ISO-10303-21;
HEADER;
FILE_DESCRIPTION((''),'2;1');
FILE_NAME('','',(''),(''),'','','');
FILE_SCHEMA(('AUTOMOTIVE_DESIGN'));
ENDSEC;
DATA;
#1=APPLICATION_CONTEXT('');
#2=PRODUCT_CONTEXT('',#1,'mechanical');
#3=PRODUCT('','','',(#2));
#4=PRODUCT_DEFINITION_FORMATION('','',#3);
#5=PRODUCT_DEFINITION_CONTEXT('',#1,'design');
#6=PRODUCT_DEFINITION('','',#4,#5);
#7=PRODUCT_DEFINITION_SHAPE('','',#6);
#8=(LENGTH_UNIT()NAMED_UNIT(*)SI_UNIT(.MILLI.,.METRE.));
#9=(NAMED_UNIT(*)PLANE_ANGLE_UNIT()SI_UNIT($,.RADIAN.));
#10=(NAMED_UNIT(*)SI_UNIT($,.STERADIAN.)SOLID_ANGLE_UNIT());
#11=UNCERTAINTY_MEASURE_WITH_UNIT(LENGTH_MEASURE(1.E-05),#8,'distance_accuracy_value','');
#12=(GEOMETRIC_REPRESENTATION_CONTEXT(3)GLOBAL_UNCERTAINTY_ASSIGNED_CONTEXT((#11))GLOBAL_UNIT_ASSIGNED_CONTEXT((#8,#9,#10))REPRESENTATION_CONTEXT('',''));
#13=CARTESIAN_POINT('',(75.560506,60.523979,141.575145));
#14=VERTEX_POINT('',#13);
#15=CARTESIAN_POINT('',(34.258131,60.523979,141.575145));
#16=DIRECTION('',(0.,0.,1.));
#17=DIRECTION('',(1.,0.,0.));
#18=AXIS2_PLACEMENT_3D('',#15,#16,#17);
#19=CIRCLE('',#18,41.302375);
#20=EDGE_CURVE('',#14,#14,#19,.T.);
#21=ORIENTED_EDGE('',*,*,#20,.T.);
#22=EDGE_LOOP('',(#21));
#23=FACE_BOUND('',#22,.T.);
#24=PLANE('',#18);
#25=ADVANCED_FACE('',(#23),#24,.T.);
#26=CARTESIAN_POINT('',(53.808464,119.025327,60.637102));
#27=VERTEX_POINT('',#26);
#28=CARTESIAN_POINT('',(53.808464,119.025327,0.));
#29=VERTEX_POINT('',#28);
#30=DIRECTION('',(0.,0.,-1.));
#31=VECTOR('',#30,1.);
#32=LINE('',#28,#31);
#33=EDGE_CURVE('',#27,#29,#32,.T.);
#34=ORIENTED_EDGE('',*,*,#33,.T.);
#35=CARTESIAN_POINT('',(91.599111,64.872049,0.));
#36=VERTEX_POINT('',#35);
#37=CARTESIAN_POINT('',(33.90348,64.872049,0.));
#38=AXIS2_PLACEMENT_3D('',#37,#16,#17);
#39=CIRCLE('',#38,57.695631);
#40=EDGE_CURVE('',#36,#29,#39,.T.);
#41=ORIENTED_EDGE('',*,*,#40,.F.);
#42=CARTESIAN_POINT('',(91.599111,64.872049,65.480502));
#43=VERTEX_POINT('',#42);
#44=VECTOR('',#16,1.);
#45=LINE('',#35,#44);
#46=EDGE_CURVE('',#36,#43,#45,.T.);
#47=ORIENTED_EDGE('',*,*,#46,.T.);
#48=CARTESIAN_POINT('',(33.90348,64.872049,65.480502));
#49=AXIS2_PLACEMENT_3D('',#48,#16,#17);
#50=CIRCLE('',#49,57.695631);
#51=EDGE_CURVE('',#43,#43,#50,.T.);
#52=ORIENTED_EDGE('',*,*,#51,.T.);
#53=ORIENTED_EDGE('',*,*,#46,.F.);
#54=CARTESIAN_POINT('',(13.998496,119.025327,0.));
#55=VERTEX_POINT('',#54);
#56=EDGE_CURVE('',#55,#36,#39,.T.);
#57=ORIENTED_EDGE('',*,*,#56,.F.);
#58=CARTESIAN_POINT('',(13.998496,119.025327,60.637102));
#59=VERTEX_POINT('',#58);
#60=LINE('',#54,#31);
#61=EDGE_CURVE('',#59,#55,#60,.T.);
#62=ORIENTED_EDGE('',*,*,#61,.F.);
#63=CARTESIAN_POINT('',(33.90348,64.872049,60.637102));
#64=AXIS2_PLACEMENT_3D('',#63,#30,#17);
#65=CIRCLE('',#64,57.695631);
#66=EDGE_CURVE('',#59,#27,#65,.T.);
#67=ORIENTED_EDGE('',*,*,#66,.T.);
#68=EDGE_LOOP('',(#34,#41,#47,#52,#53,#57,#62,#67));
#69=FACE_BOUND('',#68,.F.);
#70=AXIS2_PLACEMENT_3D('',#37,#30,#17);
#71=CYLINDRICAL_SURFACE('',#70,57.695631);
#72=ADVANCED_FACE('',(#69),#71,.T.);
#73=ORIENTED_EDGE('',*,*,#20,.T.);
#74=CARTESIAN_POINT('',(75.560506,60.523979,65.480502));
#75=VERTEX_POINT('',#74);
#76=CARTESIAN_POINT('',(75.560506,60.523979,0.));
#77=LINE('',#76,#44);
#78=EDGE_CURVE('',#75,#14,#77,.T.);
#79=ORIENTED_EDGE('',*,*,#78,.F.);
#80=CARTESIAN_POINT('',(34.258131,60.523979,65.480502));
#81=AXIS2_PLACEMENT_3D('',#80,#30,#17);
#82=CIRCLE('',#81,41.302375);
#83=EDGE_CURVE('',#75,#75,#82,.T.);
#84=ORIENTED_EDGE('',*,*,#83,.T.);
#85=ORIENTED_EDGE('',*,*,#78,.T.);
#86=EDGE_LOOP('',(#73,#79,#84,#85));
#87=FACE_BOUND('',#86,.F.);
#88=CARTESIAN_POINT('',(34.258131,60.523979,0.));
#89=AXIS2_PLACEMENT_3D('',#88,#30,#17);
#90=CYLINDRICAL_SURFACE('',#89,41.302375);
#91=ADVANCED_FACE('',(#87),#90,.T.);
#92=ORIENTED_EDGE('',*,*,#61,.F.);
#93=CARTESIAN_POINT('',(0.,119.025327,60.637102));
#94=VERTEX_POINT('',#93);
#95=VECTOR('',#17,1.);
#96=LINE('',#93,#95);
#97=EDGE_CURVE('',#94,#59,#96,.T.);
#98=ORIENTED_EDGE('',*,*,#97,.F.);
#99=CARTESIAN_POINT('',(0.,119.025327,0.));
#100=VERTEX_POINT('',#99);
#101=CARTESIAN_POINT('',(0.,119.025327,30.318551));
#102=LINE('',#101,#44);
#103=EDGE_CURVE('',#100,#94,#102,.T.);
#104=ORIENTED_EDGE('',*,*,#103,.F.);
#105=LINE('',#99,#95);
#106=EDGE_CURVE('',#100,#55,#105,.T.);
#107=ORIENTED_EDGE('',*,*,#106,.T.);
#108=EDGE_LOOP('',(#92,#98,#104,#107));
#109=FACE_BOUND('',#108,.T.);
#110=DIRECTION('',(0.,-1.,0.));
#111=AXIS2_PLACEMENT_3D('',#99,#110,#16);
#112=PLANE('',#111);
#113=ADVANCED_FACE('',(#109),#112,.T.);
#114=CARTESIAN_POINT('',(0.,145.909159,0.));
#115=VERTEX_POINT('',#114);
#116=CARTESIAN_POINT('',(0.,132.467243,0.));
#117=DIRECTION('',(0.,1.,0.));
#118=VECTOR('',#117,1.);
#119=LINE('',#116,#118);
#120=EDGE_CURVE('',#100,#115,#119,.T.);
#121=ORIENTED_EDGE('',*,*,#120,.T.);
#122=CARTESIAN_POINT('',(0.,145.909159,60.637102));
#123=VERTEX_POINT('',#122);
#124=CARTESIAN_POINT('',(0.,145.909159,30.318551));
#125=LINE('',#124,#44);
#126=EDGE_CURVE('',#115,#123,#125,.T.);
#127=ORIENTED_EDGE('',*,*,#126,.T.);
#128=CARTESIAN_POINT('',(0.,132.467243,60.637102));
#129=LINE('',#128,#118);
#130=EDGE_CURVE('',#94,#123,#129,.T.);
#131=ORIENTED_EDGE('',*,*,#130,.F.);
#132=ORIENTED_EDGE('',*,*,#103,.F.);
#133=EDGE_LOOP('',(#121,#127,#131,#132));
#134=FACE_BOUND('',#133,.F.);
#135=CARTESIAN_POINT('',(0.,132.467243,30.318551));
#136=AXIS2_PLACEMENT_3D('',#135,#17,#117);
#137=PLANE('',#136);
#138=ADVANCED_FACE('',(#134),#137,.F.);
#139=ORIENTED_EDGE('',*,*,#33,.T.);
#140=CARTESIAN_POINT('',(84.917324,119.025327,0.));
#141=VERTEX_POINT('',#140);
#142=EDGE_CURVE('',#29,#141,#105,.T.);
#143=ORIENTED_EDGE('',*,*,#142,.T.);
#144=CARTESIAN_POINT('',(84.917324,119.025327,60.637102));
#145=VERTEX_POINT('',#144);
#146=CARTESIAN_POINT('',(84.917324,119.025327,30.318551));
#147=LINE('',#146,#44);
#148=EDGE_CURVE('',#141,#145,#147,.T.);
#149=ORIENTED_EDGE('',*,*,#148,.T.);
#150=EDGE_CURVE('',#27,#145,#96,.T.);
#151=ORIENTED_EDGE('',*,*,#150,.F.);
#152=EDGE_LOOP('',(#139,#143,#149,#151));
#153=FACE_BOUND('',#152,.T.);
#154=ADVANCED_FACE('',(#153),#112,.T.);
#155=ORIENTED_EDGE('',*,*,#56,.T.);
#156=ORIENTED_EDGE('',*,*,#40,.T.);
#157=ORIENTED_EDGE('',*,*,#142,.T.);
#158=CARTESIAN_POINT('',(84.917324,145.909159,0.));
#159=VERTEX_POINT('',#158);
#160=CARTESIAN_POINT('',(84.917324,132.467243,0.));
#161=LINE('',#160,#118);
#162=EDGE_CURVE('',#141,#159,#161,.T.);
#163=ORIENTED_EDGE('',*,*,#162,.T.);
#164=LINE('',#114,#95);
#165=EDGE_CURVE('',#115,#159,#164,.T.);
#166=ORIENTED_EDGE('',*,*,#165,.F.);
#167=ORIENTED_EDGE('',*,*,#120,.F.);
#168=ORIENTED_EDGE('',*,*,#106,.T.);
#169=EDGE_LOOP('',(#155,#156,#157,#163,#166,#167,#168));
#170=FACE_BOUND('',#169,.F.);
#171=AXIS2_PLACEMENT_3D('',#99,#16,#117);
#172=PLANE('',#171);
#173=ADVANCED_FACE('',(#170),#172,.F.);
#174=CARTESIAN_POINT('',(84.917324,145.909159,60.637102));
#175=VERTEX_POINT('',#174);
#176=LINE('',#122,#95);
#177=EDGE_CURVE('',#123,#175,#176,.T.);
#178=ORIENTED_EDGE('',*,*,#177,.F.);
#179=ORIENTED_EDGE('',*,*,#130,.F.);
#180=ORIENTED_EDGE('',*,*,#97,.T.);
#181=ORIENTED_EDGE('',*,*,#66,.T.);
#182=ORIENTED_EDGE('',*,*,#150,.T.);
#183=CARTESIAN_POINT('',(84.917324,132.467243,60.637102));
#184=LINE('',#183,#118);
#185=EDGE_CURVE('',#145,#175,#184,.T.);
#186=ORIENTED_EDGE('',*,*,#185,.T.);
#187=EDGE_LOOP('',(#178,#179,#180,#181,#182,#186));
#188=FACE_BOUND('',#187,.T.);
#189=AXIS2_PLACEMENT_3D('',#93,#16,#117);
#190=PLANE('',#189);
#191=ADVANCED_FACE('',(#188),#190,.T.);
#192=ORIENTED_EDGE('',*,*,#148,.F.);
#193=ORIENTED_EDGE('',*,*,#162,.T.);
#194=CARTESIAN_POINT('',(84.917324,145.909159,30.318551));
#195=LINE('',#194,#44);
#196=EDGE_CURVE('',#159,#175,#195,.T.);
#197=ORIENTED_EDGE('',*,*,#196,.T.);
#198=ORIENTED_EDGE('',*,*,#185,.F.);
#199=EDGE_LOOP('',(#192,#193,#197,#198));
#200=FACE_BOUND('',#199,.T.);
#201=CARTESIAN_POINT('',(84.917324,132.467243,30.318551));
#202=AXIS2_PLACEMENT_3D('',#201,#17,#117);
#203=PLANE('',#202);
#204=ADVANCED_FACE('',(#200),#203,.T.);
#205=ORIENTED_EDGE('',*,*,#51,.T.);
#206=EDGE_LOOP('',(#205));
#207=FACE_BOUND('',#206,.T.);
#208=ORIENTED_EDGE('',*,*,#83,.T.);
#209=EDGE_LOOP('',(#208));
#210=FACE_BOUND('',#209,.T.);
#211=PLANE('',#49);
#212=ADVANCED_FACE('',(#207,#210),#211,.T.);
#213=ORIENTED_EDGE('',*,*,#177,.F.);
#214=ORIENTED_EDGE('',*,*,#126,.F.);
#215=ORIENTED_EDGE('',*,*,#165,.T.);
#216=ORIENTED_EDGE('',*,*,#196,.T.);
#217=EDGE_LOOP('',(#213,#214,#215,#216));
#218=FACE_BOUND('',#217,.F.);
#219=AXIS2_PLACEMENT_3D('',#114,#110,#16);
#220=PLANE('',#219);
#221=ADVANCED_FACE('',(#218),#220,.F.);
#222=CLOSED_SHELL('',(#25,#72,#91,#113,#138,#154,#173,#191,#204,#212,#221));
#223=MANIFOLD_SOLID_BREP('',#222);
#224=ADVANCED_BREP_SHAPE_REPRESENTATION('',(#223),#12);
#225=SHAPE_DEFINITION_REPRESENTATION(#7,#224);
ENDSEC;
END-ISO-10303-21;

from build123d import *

# Parameters (mm, degrees)
F0_R     = 57.695631
F1_DEPTH = 65.480502
F2_R     = 41.302375
F3_DEPTH = 141.575145
F4_W     = 26.883833
F4_H     = 60.637102
F5_DEPTH = 84.917324


with BuildPart() as f1:
    # F0 (on Top) → F1 (new body)
    with BuildSketch(Plane.XY):
        with Locations((33.90348, 64.872049)):
            Circle(F0_R)
    extrude(amount=F1_DEPTH)

    # F2 (on Top) → F3 (join)
    with BuildSketch(Plane.XY):
        with Locations((34.258131, 60.523979)):
            Circle(F2_R)
    extrude(amount=F3_DEPTH)

    # F4 (on Right) → F5 (join)
    with BuildSketch(Plane.YZ):
        with Locations((132.467243, 30.318551)):
            Rectangle(F4_W, F4_H)
    extrude(amount=F5_DEPTH)


solid = f1.part
